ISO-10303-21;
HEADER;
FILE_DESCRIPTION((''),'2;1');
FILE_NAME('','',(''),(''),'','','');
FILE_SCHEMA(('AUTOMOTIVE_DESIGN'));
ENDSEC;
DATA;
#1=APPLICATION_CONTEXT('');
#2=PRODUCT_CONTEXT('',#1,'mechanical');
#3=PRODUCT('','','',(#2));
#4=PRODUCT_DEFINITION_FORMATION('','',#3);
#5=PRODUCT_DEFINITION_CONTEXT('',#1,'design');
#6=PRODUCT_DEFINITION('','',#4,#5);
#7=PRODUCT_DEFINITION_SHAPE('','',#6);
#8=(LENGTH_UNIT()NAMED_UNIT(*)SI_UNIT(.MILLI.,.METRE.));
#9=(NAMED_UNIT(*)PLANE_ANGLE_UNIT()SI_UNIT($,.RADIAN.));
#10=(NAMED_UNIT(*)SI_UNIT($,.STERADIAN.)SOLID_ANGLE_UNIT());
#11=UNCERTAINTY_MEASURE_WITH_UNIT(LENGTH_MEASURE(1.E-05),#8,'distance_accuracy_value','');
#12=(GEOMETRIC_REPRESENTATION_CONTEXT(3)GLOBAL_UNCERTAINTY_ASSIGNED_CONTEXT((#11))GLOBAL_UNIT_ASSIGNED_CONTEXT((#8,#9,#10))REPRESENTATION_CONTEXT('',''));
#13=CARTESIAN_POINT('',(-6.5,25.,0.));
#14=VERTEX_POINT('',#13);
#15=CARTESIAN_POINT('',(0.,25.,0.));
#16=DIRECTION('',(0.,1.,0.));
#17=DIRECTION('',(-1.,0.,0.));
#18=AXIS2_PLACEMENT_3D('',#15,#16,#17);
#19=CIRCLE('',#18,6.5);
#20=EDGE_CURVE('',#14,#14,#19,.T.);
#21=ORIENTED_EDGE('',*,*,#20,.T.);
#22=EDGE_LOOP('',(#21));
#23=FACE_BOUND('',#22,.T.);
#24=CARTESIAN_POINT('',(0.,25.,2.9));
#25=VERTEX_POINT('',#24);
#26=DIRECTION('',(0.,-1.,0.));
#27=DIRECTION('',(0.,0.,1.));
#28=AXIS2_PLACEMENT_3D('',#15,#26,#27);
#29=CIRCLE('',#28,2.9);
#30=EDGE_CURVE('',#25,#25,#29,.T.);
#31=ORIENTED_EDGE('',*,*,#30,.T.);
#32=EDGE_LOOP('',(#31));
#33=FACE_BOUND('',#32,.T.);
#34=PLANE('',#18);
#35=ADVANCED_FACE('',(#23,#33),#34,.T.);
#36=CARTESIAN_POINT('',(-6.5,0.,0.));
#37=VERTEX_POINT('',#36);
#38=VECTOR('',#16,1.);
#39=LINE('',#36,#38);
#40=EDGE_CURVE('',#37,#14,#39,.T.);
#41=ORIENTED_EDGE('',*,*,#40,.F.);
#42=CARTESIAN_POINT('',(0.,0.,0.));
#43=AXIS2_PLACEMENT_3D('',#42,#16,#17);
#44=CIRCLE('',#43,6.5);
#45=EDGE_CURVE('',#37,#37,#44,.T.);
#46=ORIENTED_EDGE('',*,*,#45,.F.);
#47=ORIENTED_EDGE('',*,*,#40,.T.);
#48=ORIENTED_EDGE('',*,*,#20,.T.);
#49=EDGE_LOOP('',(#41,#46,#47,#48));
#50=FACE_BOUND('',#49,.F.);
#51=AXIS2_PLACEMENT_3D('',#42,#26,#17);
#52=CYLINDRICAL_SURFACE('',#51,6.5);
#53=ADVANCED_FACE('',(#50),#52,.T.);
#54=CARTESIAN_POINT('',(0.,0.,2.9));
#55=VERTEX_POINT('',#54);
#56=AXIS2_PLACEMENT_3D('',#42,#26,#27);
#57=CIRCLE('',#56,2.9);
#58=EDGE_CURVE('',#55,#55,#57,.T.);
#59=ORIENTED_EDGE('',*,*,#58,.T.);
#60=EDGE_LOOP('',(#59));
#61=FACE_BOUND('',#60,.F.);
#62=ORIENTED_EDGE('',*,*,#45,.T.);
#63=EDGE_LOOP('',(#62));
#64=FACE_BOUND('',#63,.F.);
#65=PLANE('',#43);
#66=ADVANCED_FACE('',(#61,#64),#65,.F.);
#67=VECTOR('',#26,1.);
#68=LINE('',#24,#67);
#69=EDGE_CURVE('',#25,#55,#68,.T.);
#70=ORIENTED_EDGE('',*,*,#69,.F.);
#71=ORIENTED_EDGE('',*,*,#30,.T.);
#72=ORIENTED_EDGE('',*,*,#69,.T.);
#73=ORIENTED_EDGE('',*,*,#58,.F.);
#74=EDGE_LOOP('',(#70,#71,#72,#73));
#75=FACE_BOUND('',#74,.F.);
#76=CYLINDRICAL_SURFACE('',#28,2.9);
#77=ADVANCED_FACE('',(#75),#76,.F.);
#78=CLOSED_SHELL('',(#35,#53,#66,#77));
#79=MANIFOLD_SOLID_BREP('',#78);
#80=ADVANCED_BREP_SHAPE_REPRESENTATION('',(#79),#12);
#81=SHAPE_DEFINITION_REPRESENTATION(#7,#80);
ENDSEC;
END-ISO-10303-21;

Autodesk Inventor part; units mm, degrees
ref_plane "YZ Plane" through (0, 0, 0) normal (1, 0, 0) x (0, 1, 0)
ref_plane "XZ Plane" through (0, 0, 0) normal (0, 1, 0) x (-1, 0, 0)
ref_plane "XY Plane" through (0, 0, 0) normal (0, 0, 1) x (1, 0, 0)
sketch "Sketch1" plane through (0, 0, 0) normal (0, 1, 0) x (-1, 0, 0)
  circle A0 centre (0, 0) radius 6.5
  dimension "d0" = 13
extrude "Extrusion1" add sketch "Sketch1" along normal blind 25
sketch "Sketch2" plane through (0, 25, 0) normal (0, 1, 0) x (1, 0, 0)
  point P0 (0, 0)
hole "Hole1" at (0, 25, 0) direction (0, -1, 0) diameter 5.8 end through all clearance for "Countersunk Flat Head Screw DIN EN ISO 2009" size "M5" standard "DIN"
properties part number "PenholderPost"
